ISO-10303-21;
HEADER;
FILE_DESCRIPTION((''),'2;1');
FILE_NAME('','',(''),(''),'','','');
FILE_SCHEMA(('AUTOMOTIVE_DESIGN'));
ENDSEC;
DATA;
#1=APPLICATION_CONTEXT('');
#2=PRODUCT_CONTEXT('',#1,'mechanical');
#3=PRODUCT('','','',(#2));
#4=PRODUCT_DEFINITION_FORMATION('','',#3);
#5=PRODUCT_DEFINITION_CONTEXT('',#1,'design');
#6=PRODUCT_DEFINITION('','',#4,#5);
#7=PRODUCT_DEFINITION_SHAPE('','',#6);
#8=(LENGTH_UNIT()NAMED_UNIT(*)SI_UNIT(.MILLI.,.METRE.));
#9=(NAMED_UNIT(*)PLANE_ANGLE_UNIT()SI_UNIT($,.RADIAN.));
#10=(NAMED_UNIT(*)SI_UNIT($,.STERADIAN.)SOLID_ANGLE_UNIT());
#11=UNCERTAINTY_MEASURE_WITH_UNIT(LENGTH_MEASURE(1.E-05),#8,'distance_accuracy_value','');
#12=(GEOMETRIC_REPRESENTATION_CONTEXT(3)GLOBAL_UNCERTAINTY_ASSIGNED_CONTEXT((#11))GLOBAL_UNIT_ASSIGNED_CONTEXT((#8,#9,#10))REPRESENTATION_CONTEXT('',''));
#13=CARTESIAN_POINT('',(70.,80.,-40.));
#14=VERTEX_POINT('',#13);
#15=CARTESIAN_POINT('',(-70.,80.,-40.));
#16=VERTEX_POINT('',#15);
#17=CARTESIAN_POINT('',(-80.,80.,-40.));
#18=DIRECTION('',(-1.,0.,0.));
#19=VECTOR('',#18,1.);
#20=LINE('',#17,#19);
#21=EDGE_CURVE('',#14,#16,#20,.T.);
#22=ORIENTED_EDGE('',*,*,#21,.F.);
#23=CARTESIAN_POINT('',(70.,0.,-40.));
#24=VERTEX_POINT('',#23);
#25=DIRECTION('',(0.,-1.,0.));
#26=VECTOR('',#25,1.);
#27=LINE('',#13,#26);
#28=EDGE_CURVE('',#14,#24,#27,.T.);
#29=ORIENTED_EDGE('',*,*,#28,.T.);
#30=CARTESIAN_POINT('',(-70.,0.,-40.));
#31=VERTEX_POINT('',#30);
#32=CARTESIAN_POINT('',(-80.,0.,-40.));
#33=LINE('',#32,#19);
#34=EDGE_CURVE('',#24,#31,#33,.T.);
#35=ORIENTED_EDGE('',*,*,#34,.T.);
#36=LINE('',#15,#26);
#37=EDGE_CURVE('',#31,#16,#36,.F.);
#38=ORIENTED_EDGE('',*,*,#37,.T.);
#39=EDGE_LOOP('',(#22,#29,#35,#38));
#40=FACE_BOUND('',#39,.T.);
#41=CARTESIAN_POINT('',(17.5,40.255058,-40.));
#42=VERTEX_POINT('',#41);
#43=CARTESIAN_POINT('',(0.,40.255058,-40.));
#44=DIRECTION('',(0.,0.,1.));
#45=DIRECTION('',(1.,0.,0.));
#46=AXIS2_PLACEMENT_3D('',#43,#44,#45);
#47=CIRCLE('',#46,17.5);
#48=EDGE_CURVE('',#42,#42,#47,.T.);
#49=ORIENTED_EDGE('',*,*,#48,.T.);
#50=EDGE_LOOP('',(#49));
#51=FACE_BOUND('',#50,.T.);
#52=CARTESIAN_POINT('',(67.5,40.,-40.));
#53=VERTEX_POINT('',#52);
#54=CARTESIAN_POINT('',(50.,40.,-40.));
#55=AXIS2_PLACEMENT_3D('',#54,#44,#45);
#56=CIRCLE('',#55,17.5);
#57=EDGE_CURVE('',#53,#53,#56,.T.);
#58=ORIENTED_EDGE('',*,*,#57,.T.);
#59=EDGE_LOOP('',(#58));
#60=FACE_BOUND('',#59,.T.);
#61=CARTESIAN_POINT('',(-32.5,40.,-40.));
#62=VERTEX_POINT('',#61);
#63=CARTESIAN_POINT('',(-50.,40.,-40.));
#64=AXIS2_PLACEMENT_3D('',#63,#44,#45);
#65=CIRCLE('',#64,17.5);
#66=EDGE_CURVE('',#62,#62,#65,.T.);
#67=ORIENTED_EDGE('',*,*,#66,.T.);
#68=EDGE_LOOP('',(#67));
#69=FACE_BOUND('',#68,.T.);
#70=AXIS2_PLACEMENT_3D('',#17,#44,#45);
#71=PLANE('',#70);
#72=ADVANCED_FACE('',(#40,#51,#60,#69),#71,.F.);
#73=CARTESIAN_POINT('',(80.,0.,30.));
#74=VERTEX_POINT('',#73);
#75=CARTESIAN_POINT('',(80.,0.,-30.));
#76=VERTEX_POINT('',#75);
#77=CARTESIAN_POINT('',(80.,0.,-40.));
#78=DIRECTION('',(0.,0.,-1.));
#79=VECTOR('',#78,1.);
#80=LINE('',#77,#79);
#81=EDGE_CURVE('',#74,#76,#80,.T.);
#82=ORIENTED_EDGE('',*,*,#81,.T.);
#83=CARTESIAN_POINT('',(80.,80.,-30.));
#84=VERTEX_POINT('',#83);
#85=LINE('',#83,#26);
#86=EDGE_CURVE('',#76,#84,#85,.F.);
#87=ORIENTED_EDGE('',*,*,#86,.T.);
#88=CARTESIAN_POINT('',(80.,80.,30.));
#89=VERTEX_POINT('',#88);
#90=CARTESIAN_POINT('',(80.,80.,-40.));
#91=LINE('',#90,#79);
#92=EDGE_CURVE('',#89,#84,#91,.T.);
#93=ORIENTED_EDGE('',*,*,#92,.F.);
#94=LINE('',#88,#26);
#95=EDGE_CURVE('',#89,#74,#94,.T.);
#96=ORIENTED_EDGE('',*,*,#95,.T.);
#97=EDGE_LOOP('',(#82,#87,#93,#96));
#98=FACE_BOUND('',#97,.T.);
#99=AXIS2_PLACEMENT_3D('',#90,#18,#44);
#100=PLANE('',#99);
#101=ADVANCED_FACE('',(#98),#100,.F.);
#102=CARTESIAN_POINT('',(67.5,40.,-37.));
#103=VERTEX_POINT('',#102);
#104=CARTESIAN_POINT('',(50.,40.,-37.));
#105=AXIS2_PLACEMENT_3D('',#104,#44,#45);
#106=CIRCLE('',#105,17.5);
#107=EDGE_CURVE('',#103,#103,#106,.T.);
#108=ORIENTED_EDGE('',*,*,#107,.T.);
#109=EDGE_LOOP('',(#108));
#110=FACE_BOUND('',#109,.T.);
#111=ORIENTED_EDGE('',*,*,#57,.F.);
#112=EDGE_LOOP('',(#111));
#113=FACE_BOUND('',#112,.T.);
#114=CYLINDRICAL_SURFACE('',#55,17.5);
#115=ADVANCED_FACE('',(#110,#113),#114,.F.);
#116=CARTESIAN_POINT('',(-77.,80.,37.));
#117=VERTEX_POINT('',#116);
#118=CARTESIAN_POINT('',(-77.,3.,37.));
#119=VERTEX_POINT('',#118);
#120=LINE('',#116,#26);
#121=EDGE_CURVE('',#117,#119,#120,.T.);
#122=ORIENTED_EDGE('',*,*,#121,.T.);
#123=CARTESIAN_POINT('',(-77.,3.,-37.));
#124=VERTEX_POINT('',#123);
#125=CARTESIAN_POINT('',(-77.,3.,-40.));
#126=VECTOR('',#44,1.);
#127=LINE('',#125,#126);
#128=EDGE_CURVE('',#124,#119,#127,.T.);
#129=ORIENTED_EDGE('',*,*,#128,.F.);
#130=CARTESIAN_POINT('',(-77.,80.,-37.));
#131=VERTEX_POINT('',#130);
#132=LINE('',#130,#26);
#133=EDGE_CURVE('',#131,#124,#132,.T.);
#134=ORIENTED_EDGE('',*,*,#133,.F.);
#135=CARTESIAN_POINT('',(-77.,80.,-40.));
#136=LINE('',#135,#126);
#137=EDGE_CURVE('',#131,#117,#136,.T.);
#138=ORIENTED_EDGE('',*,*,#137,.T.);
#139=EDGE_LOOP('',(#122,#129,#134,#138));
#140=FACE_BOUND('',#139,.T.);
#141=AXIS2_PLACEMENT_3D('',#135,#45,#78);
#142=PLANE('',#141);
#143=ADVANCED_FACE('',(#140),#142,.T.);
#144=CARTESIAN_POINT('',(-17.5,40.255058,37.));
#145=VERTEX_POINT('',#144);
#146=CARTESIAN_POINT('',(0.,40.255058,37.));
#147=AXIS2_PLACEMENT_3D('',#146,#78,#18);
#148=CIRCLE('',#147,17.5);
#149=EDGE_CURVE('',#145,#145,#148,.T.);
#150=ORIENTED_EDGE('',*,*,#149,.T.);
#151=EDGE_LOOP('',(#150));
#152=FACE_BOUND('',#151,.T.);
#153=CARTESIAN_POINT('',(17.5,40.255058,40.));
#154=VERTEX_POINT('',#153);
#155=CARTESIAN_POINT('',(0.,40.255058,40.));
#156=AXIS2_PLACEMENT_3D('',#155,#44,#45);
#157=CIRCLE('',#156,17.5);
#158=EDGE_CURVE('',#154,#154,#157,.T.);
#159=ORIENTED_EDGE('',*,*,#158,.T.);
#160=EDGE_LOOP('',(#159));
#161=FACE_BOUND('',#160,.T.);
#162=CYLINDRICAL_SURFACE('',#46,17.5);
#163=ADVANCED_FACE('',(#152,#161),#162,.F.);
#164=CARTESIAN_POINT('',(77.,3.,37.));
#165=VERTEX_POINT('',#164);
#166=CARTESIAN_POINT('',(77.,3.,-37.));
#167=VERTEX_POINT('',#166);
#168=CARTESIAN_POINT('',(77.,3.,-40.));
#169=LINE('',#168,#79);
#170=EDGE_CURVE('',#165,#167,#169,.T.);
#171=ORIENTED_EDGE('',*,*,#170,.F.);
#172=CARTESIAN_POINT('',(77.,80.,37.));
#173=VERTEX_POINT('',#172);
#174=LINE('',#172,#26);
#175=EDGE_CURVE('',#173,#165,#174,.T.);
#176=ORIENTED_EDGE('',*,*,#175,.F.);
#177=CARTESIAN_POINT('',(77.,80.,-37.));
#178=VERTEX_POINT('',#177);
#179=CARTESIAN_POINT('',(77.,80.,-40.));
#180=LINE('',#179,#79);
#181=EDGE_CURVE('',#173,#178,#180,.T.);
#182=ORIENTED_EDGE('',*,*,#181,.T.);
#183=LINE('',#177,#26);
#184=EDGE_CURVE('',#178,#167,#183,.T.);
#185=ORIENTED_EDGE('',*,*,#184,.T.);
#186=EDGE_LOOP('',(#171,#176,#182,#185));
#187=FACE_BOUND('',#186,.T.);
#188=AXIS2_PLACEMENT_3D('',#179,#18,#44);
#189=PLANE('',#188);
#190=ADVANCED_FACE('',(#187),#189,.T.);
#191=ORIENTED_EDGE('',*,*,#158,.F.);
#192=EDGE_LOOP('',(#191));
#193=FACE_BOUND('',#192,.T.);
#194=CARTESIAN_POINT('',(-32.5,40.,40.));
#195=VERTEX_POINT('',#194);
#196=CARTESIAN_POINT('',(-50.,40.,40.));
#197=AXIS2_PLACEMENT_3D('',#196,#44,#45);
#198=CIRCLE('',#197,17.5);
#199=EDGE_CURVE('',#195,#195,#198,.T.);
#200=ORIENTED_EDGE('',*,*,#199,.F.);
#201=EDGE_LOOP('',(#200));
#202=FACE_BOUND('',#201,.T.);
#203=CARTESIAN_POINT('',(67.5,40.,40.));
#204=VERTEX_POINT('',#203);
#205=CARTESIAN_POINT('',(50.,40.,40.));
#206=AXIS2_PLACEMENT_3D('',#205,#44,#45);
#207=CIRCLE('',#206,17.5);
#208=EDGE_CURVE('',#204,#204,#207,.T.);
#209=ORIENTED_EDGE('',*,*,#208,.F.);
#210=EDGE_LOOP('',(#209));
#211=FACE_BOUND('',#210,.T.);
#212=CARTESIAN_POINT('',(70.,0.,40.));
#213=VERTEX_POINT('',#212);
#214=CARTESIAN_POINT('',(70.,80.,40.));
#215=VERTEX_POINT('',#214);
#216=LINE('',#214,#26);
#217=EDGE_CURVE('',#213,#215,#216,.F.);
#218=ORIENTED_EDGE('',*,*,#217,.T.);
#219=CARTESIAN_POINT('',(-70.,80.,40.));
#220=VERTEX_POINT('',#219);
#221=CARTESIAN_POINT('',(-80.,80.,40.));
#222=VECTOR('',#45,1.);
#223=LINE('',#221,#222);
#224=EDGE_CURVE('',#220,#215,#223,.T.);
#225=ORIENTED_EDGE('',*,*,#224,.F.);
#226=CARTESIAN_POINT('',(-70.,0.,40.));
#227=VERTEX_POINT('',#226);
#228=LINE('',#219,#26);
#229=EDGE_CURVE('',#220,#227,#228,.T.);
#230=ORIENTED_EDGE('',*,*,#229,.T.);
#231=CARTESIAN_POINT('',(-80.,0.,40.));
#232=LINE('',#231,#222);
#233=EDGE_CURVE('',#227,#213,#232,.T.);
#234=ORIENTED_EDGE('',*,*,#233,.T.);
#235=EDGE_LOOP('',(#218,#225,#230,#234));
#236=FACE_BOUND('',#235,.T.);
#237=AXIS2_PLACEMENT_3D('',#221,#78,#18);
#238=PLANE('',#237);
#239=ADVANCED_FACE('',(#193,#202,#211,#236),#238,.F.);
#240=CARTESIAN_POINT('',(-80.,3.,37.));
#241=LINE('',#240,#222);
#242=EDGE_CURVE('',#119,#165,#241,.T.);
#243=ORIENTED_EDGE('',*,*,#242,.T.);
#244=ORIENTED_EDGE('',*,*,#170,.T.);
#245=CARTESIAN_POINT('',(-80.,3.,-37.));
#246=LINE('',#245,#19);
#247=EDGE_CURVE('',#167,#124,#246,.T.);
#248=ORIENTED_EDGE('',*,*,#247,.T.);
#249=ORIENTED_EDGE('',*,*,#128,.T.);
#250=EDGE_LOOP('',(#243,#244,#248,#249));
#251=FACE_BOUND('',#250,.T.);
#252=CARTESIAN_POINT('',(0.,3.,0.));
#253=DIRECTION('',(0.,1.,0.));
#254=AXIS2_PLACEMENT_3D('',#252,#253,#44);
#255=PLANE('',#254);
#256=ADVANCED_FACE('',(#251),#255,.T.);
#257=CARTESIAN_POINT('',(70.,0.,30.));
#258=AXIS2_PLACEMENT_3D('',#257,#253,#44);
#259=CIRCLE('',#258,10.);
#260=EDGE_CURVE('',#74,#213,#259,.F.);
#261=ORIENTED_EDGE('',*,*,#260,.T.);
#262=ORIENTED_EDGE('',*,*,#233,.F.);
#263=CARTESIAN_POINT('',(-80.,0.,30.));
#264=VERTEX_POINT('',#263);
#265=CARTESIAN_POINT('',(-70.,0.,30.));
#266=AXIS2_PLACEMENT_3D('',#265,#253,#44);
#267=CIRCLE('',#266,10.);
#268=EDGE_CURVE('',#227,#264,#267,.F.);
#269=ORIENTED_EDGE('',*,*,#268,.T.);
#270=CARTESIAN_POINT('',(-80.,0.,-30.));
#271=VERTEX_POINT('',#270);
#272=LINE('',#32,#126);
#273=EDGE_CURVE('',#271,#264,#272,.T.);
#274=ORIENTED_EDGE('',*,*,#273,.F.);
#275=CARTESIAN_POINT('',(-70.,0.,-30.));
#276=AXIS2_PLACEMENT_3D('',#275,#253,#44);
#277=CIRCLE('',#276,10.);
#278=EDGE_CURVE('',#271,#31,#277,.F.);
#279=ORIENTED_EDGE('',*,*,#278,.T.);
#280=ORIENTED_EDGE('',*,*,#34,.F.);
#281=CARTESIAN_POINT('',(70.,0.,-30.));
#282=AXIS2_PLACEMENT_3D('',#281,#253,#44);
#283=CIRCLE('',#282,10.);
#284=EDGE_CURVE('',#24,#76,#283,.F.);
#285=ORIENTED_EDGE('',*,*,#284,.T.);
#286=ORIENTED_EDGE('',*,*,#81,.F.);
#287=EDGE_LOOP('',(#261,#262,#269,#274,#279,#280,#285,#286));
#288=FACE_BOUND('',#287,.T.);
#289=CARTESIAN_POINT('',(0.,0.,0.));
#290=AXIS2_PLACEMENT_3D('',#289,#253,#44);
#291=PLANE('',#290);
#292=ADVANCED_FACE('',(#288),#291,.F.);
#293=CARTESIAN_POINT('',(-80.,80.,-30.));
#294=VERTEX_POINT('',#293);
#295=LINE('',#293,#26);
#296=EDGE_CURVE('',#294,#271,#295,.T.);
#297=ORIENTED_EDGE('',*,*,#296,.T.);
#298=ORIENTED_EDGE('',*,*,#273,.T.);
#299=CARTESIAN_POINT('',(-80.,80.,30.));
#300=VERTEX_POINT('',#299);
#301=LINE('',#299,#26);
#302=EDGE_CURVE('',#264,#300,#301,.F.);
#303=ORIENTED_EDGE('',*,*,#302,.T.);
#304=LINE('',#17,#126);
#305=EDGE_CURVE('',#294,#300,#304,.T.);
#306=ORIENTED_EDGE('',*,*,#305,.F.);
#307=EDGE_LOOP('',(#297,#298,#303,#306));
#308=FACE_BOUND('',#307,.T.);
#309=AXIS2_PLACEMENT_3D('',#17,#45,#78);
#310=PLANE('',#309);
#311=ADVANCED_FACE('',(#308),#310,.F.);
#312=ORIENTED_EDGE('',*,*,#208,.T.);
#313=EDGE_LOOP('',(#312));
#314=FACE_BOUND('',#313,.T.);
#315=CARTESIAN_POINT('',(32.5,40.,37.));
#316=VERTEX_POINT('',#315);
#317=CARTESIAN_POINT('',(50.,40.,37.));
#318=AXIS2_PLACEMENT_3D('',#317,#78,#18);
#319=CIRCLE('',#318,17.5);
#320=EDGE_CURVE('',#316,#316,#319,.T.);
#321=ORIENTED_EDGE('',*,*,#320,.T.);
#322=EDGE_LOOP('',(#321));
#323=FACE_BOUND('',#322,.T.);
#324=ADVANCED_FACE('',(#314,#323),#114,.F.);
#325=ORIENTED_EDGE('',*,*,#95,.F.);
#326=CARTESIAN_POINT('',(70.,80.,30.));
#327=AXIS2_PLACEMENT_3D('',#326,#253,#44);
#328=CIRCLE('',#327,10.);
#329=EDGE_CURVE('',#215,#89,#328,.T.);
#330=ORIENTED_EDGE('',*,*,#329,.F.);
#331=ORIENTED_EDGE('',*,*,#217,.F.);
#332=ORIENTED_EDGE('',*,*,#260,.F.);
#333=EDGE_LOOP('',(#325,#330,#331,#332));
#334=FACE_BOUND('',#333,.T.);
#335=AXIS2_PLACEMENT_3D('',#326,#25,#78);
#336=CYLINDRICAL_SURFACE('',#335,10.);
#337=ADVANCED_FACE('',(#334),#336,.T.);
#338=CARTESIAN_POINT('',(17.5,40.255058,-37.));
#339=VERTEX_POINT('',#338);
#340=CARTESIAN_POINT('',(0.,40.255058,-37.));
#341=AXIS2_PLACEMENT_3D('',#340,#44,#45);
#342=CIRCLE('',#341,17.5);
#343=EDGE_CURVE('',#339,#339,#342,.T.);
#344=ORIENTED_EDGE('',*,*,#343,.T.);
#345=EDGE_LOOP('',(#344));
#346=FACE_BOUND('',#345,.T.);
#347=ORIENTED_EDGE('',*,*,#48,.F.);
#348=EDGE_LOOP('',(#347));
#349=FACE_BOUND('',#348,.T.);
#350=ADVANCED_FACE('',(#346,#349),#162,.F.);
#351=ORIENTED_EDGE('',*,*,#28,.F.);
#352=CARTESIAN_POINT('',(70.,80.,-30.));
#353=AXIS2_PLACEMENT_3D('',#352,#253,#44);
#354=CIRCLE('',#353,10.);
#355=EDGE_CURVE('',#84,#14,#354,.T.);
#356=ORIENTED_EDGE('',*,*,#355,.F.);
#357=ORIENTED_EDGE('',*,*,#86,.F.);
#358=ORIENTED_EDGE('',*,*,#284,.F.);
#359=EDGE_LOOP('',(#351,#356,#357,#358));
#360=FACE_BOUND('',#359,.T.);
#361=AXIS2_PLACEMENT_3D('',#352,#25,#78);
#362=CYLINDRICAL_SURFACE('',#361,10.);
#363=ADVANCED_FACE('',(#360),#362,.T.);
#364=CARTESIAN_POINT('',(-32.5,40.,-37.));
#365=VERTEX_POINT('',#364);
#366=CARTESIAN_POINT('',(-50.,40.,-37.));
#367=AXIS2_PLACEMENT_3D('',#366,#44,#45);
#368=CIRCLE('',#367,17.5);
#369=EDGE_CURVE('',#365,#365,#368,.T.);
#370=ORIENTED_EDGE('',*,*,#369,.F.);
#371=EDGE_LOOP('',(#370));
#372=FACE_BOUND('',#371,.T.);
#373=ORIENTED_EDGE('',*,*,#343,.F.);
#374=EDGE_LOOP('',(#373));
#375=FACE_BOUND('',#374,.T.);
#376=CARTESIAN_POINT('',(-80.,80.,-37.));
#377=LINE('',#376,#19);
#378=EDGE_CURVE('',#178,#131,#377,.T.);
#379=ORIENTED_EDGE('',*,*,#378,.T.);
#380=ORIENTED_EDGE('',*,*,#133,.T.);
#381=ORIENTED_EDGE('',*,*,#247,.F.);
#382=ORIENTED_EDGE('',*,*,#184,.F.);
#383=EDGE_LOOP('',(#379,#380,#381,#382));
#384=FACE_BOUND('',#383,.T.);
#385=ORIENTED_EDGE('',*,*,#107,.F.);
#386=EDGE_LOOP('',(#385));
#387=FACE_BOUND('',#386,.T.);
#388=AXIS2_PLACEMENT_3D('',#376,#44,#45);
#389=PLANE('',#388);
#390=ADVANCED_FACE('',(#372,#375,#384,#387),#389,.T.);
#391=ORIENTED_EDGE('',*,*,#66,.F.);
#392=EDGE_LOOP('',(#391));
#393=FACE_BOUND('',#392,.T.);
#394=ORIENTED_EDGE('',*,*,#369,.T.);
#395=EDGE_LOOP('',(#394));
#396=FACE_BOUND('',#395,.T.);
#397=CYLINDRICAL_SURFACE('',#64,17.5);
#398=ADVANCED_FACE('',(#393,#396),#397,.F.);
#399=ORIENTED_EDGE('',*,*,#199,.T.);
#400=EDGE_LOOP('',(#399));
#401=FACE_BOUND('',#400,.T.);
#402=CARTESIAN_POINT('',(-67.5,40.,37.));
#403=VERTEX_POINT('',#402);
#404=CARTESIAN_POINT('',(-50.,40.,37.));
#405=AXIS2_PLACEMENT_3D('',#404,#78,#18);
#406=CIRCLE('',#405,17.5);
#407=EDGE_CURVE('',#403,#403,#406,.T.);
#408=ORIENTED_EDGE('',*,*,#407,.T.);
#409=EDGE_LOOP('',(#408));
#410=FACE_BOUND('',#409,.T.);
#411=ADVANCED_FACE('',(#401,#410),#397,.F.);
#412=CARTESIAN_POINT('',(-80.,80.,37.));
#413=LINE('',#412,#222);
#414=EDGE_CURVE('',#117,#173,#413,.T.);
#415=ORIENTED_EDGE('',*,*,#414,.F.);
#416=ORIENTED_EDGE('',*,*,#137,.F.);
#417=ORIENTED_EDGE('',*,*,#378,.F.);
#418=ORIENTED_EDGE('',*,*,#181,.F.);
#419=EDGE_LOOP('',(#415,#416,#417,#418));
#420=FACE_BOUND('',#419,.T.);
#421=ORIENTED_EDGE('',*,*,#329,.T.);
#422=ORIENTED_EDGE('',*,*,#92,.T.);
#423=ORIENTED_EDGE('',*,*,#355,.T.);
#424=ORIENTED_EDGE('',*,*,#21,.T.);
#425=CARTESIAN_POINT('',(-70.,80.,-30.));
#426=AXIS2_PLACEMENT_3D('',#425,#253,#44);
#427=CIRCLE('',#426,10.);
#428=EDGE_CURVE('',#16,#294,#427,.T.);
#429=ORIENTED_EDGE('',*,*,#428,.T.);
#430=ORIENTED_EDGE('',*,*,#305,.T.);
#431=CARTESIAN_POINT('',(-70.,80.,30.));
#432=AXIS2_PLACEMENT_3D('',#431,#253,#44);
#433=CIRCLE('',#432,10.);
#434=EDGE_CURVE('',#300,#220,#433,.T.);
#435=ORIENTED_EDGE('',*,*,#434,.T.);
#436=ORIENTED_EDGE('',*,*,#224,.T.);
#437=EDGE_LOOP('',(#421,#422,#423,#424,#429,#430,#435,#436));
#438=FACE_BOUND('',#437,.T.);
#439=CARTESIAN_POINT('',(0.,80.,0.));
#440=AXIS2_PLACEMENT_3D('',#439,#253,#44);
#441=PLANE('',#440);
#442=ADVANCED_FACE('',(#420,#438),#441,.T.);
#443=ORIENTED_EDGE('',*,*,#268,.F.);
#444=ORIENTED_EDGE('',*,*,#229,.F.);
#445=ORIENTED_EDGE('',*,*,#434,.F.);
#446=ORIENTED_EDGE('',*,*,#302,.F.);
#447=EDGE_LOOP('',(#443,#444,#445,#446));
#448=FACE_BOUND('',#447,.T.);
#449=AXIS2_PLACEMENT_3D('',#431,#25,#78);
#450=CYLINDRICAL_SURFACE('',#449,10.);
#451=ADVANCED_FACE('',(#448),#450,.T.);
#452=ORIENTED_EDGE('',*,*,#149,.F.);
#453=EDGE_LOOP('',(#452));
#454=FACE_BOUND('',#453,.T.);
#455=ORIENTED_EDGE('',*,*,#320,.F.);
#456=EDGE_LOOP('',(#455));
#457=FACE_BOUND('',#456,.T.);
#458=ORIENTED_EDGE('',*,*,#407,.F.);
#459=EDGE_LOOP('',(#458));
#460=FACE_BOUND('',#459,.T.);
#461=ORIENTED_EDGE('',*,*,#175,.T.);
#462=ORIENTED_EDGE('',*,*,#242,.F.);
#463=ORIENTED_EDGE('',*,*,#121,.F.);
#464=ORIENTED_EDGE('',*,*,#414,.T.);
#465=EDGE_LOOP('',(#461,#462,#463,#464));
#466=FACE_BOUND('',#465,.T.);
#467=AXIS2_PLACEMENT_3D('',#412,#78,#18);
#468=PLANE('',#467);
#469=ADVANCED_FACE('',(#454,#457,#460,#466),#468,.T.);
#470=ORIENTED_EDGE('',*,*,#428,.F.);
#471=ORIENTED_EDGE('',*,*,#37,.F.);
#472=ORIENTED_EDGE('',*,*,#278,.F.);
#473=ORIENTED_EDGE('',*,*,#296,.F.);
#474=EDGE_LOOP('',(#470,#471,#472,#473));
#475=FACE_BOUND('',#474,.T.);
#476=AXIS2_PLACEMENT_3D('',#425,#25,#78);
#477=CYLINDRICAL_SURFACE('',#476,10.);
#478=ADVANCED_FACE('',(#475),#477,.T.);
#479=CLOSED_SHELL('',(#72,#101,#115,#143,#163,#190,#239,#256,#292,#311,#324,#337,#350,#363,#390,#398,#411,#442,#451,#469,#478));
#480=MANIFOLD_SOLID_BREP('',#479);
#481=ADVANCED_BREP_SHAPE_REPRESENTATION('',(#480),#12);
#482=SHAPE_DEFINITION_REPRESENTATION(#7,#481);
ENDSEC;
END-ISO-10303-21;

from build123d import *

# Parameters (mm, degrees)
SKETCH1_W           = 160
SKETCH1_H           = 80
BOSS_EXTRUDE1_DEPTH = 80
SHELL1_T            = -3
SKETCH2_R           = 17.5
CUT_EXTRUDE1_DEPTH  = 80
FILLET1_R           = 10


with BuildPart() as part:
    # Sketch1 → Boss-Extrude1 (new body)
    with BuildSketch(Plane(origin=(0, 0, 0), x_dir=(1, 0, 0), z_dir=(0, 1, 0))):
        Rectangle(SKETCH1_W, SKETCH1_H)
    extrude(amount=BOSS_EXTRUDE1_DEPTH)

    # Shell1
    shell1_openings = [part.faces().sort_by_distance(p)[0] for p in [
        (0, 80, 0),
    ]]
    offset(amount=SHELL1_T, openings=shell1_openings, kind=Kind.INTERSECTION)

    # Sketch2 → Cut-Extrude1 (cut)
    with BuildSketch(Plane.XY.offset(40)):
        with Locations((-50, 40)):
            Circle(SKETCH2_R)
        with Locations((0, 40.255057562)):
            Circle(SKETCH2_R)
        with Locations((50, 40)):
            Circle(SKETCH2_R)
    extrude(amount=-CUT_EXTRUDE1_DEPTH, mode=Mode.SUBTRACT)

    # Fillet1
    fillet1_edges = [part.edges().sort_by_distance(p)[0] for p in [
        (80, 40, 40),
        (-80, 40, 40),
        (-80, 40, -40),
        (80, 40, -40),
    ]]
    fillet(fillet1_edges, radius=FILLET1_R)


solid = part.part
